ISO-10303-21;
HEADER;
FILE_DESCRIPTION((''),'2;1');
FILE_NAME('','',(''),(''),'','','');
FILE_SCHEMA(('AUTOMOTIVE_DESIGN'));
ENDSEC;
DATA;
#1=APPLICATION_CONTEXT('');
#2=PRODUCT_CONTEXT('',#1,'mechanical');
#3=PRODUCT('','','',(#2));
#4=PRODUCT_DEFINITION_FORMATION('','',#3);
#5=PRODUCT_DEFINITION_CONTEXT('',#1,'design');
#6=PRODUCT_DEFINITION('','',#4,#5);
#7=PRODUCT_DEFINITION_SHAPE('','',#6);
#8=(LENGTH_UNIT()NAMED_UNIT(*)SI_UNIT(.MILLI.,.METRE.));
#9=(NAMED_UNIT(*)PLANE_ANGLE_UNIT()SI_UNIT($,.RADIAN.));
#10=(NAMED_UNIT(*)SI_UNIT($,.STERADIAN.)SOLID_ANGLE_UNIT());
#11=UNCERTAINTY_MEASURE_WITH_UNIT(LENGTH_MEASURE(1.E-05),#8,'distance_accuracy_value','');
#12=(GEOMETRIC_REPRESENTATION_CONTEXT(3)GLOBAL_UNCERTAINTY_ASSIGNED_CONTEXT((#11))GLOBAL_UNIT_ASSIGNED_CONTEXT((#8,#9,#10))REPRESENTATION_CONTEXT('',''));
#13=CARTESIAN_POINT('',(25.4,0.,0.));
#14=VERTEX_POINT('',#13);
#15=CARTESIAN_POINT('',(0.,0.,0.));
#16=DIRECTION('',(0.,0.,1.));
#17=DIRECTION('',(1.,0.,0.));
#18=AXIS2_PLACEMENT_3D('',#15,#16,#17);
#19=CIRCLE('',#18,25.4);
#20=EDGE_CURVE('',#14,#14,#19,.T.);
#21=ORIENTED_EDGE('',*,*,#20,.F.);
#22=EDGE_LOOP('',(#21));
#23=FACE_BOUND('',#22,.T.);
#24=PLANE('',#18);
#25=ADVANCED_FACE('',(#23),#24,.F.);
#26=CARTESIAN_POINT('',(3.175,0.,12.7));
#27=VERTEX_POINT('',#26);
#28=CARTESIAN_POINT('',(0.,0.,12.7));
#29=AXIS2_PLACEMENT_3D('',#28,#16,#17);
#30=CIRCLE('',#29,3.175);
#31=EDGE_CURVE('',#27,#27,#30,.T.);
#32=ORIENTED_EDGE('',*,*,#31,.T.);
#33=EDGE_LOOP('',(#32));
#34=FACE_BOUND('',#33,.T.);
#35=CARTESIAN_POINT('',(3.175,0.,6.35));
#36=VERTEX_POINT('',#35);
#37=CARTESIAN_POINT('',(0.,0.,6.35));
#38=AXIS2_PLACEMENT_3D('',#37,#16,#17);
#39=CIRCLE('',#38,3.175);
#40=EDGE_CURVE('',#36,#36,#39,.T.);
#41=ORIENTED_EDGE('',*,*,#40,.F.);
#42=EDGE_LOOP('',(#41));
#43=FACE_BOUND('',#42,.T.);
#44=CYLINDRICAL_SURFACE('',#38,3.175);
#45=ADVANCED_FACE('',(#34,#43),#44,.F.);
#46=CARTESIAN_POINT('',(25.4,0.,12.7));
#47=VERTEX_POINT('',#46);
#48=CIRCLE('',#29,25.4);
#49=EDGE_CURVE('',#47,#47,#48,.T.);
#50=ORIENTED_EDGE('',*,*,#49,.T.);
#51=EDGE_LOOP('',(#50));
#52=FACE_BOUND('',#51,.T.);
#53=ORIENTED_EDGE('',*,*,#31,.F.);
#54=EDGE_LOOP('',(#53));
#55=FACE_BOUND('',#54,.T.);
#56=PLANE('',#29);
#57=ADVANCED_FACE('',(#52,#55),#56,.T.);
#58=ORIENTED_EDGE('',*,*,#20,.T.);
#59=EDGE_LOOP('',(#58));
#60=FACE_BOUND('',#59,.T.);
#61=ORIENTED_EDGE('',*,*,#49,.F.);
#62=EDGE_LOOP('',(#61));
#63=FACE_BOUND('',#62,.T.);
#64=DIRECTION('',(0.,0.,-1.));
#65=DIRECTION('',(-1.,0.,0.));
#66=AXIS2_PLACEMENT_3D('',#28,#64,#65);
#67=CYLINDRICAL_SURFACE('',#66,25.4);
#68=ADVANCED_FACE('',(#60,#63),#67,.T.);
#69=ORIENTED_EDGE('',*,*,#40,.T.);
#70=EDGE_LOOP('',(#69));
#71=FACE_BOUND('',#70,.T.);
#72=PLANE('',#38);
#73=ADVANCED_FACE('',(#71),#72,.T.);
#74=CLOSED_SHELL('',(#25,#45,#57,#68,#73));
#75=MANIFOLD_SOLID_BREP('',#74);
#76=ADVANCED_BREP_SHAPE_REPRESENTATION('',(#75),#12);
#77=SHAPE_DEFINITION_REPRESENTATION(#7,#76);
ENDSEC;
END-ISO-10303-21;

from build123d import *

# Parameters (mm, degrees)
SKETCH1_R           = 25.4
BOSS_EXTRUDE1_DEPTH = 12.7
SKETCH2_R           = 3.175
CUT_EXTRUDE1_DEPTH  = 6.35


with BuildPart() as part:
    # Sketch1 → Boss-Extrude1 (new body)
    with BuildSketch(Plane.XY):
        Circle(SKETCH1_R)
    extrude(amount=BOSS_EXTRUDE1_DEPTH)

    # Sketch2 → Cut-Extrude1 (cut)
    with BuildSketch(Plane.XY.offset(12.7)):
        Circle(SKETCH2_R)
    extrude(amount=-CUT_EXTRUDE1_DEPTH, mode=Mode.SUBTRACT)


solid = part.part
